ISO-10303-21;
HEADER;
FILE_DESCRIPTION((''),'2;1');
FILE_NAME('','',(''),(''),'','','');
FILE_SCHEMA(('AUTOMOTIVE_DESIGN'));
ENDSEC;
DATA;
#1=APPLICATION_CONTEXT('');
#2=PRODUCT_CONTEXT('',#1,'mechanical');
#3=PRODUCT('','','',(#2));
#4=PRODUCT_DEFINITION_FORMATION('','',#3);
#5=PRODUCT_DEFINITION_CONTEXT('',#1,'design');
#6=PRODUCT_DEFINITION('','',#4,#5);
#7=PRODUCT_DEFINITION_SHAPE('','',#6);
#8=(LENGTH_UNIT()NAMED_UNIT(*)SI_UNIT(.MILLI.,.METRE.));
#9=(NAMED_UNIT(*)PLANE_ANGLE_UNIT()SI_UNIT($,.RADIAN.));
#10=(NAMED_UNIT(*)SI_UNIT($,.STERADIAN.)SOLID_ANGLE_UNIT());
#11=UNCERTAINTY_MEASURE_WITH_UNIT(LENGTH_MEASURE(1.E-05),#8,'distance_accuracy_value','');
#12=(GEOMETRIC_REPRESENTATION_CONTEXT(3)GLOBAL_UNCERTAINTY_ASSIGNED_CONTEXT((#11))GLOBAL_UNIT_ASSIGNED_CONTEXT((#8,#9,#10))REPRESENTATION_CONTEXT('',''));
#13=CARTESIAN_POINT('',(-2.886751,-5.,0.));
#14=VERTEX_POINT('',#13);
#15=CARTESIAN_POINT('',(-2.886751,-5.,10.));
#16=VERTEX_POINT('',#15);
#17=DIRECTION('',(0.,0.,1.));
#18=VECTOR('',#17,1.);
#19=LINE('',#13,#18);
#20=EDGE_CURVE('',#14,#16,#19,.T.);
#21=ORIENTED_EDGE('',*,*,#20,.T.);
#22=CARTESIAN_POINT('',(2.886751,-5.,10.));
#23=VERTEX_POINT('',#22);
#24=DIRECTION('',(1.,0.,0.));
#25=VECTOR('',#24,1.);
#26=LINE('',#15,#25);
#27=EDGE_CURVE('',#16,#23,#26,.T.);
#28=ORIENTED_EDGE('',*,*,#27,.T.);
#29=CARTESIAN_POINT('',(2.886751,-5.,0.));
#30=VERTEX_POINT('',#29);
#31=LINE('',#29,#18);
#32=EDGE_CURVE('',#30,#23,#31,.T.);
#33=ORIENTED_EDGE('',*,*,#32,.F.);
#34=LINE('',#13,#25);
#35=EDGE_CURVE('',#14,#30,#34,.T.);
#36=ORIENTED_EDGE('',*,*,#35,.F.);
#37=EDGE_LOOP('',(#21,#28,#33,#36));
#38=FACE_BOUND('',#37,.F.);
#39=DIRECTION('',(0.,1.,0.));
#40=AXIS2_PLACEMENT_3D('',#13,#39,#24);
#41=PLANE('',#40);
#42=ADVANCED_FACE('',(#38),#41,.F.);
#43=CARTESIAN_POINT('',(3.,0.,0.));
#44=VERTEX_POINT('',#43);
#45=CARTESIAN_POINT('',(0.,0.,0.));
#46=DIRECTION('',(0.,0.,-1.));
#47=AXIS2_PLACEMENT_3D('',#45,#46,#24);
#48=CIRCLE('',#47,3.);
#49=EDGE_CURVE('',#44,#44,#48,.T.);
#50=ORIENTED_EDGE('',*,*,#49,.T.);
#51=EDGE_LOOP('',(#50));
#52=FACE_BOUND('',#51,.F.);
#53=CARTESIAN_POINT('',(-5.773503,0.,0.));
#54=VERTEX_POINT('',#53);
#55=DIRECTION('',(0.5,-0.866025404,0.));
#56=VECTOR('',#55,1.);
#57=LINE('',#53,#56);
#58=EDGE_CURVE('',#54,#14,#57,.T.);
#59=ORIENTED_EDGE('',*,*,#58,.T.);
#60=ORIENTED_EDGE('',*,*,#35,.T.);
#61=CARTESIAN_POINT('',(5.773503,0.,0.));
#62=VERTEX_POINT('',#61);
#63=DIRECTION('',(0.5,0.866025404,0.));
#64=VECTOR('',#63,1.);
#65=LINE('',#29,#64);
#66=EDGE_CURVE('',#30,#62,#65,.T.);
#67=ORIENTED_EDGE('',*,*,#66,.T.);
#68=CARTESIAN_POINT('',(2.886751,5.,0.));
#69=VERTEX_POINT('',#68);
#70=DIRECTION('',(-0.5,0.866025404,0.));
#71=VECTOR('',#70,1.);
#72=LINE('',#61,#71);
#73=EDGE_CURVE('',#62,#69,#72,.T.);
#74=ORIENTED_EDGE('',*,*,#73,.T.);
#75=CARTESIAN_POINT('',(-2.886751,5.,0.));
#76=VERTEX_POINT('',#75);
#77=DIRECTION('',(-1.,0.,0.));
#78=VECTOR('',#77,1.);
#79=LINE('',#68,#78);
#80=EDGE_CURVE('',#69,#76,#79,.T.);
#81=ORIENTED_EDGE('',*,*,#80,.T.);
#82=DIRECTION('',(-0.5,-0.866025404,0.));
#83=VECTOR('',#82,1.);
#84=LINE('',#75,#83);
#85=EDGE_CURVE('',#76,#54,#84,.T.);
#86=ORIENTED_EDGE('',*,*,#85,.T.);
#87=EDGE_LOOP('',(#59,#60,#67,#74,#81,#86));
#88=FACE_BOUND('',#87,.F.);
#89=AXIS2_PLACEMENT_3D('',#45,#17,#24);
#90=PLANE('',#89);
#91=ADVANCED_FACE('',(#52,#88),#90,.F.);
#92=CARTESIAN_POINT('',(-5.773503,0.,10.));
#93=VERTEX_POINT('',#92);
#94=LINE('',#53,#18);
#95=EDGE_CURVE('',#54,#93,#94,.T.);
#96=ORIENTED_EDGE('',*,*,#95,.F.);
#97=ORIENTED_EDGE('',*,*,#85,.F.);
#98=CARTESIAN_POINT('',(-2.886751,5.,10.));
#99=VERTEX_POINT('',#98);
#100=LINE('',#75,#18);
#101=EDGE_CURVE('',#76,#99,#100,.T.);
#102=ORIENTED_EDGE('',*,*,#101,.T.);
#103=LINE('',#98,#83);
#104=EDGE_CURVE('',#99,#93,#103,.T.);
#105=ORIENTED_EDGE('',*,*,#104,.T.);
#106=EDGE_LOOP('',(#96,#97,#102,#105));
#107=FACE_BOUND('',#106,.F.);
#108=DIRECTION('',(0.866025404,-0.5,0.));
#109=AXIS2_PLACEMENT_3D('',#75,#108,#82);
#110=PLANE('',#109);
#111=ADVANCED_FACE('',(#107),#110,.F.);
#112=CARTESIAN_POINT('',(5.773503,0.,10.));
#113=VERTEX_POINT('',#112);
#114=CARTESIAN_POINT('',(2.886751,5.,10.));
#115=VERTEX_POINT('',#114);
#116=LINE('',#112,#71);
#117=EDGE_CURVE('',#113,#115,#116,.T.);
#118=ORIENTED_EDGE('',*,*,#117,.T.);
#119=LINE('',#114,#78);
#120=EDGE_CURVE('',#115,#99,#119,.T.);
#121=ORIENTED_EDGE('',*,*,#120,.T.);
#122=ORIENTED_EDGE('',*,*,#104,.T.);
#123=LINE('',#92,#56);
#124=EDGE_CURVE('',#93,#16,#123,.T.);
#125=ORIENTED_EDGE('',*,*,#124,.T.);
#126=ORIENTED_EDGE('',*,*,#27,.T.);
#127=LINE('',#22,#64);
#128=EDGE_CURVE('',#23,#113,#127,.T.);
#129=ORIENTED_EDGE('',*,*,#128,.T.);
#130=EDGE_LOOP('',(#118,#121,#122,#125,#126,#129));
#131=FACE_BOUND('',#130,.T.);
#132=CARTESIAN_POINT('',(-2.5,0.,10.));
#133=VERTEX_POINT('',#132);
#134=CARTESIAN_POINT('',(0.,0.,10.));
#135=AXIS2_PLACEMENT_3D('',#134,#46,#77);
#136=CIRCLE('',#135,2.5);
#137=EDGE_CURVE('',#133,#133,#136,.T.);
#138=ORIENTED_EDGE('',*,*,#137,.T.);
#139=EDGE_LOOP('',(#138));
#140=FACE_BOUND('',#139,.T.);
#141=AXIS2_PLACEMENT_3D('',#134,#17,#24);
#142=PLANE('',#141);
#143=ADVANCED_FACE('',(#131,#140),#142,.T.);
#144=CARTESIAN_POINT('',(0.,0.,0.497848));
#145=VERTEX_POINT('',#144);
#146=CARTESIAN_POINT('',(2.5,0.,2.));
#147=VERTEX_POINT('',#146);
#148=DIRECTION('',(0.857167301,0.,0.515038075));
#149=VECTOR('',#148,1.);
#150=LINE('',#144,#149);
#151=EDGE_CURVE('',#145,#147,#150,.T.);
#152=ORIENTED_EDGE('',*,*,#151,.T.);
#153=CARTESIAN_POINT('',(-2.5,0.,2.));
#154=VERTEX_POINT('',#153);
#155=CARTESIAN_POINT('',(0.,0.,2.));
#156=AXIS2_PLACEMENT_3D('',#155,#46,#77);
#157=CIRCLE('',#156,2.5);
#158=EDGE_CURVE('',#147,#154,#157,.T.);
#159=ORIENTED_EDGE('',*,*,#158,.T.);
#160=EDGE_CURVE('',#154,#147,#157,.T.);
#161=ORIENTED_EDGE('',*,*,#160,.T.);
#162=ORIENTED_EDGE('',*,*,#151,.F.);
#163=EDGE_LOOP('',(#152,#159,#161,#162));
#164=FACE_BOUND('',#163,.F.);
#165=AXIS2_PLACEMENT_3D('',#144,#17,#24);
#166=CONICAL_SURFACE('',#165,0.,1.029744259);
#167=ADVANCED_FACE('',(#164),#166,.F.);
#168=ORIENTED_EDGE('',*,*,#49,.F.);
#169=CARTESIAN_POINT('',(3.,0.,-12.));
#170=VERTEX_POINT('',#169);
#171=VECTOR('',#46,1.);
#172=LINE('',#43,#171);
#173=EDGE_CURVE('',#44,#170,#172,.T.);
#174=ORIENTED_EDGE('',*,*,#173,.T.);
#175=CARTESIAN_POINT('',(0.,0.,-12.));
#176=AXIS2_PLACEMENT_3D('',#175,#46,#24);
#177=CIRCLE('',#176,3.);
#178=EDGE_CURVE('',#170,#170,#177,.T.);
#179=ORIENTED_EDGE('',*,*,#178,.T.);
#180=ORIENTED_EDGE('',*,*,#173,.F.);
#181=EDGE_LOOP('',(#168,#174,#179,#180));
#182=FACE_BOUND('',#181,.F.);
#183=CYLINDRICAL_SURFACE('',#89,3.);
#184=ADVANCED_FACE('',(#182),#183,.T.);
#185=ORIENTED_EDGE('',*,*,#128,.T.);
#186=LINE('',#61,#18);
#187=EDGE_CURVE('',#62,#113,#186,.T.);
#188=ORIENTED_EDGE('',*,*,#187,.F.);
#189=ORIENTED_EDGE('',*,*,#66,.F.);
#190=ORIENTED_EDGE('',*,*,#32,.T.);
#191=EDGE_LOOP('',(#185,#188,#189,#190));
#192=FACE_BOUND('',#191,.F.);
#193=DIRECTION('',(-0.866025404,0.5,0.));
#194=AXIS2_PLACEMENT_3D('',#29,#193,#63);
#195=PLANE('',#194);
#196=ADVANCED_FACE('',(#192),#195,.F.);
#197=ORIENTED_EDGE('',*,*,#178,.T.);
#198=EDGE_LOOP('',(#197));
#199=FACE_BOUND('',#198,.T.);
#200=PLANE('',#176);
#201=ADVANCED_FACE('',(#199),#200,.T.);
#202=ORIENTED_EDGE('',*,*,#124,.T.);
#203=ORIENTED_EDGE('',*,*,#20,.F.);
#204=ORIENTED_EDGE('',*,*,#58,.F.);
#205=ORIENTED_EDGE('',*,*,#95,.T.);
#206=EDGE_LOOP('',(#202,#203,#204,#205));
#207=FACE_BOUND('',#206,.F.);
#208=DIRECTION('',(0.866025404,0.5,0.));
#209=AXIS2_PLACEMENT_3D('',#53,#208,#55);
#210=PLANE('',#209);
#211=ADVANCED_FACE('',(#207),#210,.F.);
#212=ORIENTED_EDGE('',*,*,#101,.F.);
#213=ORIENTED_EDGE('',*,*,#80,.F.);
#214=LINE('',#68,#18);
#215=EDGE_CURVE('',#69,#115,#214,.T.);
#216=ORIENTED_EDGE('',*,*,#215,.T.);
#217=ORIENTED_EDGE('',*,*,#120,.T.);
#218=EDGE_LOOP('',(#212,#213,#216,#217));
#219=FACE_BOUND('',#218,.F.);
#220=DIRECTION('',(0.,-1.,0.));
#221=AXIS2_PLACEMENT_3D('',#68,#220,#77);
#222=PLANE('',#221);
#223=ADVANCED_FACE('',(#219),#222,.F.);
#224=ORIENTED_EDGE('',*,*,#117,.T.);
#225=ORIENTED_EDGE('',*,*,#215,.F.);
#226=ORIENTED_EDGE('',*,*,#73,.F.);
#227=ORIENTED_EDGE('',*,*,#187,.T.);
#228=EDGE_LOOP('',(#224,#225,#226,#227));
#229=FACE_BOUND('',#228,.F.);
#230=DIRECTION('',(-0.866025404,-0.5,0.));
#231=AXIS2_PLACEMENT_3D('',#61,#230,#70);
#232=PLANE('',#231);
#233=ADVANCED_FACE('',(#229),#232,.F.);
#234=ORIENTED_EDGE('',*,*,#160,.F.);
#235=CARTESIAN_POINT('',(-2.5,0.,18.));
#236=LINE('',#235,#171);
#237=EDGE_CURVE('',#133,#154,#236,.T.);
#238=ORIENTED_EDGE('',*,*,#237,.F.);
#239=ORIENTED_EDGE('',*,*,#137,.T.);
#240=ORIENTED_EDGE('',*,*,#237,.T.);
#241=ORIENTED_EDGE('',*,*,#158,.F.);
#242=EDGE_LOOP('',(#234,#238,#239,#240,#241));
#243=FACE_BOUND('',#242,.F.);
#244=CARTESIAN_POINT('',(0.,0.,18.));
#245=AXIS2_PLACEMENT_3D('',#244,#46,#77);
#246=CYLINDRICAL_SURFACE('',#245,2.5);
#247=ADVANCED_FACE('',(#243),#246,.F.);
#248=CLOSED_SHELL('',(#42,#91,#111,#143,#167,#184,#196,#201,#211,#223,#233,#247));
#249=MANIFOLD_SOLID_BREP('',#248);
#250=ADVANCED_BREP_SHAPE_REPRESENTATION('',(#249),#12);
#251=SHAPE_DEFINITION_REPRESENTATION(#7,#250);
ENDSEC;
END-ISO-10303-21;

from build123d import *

# Parameters (mm, degrees)
F1_DEPTH = 10
F3_D     = 5
F3_DEPTH = 8
F3_TIP   = 1.5021515476
F4_R     = 3
F5_DEPTH = 12


with BuildPart() as f1:
    # F0 (on Top) → F1 (new body)
    with BuildSketch(Plane.XY):
        Polygon((2.8867513459, 5), (-2.8867513459, 5), (-5.7735026919, 0), (-2.8867513459, -5), (2.8867513459, -5), (5.7735026919, 0), align=None)
    extrude(amount=F1_DEPTH)

    # F3
    with Locations(Plane.XY.offset(10)):
        with Locations((0, 0)):
            Hole(F3_D / 2, depth=F3_DEPTH)
            with Locations((0, 0, -(F3_DEPTH + F3_TIP / 2))):  # 118° drill point
                Cone(0, F3_D / 2, F3_TIP, mode=Mode.SUBTRACT)

    # F4 (on face) → F5 (join)
    with BuildSketch(Plane(origin=(0, 0, 0), x_dir=(1, 0, 0), z_dir=(0, 0, -1))):
        Circle(F4_R)
    extrude(amount=F5_DEPTH)


solid = f1.part
